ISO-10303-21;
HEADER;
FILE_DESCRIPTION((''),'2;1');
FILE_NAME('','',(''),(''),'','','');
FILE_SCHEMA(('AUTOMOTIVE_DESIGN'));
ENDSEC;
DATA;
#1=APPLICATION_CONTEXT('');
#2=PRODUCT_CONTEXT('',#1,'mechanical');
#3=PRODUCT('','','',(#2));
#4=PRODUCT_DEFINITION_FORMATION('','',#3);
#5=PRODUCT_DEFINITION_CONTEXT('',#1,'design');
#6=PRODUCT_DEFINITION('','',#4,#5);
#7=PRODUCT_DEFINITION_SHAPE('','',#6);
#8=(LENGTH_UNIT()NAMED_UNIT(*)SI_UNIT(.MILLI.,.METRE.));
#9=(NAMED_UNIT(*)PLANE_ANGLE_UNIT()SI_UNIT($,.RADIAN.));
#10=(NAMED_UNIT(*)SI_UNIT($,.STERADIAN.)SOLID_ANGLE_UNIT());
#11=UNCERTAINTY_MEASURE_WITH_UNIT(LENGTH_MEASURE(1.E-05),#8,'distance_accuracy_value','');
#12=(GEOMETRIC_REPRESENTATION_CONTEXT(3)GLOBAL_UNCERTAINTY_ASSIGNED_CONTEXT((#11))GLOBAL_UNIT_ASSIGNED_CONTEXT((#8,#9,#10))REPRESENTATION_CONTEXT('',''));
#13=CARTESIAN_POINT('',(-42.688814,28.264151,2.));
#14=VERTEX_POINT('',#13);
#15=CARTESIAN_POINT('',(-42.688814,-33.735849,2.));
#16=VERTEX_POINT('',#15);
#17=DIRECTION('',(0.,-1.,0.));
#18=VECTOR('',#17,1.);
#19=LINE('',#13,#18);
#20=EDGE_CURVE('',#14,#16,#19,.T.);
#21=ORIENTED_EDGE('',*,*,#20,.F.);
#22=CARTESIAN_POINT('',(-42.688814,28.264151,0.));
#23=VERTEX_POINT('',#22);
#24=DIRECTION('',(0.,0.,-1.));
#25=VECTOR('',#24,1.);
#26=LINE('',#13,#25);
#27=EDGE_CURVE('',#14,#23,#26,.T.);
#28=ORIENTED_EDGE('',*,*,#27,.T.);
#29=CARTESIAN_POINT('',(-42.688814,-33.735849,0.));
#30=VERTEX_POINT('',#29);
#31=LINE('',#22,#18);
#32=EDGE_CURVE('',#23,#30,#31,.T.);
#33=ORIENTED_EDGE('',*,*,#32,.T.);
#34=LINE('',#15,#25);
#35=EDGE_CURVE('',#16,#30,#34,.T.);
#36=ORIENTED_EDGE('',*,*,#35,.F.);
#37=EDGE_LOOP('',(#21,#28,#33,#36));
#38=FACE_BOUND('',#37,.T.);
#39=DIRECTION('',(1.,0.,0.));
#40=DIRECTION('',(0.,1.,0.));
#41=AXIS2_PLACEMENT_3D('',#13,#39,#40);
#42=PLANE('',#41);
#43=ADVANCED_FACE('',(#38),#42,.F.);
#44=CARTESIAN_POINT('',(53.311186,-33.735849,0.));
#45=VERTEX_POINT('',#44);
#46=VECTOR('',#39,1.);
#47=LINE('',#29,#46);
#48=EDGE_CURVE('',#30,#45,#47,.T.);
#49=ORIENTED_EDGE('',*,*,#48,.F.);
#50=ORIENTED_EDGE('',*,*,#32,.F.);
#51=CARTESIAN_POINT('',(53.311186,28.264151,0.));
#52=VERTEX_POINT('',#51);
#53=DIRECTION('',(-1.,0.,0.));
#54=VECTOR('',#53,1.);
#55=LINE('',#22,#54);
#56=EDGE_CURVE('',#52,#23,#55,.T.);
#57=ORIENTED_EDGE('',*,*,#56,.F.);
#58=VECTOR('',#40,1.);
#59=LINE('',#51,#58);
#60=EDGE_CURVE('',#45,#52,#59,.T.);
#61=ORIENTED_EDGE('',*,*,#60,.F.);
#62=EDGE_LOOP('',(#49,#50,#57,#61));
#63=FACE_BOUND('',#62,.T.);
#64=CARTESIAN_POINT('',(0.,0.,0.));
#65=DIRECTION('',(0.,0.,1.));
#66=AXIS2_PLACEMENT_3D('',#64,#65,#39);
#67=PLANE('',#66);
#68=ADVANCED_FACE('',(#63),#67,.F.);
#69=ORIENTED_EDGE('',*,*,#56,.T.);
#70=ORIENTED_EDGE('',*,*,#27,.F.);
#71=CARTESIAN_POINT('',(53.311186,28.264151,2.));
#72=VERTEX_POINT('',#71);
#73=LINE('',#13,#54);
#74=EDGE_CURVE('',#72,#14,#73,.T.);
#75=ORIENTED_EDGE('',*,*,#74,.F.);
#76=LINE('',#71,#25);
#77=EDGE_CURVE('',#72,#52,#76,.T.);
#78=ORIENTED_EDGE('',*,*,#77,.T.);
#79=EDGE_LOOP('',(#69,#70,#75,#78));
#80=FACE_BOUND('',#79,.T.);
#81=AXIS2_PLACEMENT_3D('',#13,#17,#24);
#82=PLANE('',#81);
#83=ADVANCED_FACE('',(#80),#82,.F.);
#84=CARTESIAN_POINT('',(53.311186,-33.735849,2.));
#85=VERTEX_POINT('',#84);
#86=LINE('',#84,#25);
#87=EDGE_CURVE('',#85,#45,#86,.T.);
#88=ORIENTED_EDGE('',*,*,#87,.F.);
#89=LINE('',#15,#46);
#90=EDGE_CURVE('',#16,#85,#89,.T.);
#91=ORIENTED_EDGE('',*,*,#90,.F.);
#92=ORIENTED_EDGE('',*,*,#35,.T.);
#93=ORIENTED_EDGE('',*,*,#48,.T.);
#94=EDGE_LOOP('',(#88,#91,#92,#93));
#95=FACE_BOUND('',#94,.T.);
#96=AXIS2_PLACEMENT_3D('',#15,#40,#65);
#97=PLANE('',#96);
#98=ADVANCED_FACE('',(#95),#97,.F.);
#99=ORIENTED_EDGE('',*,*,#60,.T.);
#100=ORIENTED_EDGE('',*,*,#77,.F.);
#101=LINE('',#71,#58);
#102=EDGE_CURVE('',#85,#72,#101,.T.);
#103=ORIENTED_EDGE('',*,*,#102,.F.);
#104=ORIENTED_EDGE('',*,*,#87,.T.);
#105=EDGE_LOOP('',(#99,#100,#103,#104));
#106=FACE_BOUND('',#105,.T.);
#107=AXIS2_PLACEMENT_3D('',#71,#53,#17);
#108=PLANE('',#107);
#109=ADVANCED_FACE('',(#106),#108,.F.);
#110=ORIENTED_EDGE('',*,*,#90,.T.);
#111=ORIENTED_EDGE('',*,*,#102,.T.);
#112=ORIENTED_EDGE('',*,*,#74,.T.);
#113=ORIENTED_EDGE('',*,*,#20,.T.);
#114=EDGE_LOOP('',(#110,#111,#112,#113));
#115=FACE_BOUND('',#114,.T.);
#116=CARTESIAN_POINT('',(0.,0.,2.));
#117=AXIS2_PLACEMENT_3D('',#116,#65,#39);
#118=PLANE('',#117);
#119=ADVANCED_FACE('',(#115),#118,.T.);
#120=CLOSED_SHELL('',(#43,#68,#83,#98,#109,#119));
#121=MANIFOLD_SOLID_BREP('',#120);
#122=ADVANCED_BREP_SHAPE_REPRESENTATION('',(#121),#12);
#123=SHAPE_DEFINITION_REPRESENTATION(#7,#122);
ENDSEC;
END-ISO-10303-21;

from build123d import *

# Parameters (mm, degrees)
SKETCH_1_W      = 96
SKETCH_1_H      = 62
EXTRUDE_1_DEPTH = 2


with BuildPart() as part:
    # ｽｹｯﾁ1 → ﾎﾞｽ - 押し出し1 (new body)
    with BuildSketch(Plane.XY):
        with Locations((5.311186132, -2.735849057)):
            Rectangle(SKETCH_1_W, SKETCH_1_H)
    extrude(amount=EXTRUDE_1_DEPTH)


solid = part.part
